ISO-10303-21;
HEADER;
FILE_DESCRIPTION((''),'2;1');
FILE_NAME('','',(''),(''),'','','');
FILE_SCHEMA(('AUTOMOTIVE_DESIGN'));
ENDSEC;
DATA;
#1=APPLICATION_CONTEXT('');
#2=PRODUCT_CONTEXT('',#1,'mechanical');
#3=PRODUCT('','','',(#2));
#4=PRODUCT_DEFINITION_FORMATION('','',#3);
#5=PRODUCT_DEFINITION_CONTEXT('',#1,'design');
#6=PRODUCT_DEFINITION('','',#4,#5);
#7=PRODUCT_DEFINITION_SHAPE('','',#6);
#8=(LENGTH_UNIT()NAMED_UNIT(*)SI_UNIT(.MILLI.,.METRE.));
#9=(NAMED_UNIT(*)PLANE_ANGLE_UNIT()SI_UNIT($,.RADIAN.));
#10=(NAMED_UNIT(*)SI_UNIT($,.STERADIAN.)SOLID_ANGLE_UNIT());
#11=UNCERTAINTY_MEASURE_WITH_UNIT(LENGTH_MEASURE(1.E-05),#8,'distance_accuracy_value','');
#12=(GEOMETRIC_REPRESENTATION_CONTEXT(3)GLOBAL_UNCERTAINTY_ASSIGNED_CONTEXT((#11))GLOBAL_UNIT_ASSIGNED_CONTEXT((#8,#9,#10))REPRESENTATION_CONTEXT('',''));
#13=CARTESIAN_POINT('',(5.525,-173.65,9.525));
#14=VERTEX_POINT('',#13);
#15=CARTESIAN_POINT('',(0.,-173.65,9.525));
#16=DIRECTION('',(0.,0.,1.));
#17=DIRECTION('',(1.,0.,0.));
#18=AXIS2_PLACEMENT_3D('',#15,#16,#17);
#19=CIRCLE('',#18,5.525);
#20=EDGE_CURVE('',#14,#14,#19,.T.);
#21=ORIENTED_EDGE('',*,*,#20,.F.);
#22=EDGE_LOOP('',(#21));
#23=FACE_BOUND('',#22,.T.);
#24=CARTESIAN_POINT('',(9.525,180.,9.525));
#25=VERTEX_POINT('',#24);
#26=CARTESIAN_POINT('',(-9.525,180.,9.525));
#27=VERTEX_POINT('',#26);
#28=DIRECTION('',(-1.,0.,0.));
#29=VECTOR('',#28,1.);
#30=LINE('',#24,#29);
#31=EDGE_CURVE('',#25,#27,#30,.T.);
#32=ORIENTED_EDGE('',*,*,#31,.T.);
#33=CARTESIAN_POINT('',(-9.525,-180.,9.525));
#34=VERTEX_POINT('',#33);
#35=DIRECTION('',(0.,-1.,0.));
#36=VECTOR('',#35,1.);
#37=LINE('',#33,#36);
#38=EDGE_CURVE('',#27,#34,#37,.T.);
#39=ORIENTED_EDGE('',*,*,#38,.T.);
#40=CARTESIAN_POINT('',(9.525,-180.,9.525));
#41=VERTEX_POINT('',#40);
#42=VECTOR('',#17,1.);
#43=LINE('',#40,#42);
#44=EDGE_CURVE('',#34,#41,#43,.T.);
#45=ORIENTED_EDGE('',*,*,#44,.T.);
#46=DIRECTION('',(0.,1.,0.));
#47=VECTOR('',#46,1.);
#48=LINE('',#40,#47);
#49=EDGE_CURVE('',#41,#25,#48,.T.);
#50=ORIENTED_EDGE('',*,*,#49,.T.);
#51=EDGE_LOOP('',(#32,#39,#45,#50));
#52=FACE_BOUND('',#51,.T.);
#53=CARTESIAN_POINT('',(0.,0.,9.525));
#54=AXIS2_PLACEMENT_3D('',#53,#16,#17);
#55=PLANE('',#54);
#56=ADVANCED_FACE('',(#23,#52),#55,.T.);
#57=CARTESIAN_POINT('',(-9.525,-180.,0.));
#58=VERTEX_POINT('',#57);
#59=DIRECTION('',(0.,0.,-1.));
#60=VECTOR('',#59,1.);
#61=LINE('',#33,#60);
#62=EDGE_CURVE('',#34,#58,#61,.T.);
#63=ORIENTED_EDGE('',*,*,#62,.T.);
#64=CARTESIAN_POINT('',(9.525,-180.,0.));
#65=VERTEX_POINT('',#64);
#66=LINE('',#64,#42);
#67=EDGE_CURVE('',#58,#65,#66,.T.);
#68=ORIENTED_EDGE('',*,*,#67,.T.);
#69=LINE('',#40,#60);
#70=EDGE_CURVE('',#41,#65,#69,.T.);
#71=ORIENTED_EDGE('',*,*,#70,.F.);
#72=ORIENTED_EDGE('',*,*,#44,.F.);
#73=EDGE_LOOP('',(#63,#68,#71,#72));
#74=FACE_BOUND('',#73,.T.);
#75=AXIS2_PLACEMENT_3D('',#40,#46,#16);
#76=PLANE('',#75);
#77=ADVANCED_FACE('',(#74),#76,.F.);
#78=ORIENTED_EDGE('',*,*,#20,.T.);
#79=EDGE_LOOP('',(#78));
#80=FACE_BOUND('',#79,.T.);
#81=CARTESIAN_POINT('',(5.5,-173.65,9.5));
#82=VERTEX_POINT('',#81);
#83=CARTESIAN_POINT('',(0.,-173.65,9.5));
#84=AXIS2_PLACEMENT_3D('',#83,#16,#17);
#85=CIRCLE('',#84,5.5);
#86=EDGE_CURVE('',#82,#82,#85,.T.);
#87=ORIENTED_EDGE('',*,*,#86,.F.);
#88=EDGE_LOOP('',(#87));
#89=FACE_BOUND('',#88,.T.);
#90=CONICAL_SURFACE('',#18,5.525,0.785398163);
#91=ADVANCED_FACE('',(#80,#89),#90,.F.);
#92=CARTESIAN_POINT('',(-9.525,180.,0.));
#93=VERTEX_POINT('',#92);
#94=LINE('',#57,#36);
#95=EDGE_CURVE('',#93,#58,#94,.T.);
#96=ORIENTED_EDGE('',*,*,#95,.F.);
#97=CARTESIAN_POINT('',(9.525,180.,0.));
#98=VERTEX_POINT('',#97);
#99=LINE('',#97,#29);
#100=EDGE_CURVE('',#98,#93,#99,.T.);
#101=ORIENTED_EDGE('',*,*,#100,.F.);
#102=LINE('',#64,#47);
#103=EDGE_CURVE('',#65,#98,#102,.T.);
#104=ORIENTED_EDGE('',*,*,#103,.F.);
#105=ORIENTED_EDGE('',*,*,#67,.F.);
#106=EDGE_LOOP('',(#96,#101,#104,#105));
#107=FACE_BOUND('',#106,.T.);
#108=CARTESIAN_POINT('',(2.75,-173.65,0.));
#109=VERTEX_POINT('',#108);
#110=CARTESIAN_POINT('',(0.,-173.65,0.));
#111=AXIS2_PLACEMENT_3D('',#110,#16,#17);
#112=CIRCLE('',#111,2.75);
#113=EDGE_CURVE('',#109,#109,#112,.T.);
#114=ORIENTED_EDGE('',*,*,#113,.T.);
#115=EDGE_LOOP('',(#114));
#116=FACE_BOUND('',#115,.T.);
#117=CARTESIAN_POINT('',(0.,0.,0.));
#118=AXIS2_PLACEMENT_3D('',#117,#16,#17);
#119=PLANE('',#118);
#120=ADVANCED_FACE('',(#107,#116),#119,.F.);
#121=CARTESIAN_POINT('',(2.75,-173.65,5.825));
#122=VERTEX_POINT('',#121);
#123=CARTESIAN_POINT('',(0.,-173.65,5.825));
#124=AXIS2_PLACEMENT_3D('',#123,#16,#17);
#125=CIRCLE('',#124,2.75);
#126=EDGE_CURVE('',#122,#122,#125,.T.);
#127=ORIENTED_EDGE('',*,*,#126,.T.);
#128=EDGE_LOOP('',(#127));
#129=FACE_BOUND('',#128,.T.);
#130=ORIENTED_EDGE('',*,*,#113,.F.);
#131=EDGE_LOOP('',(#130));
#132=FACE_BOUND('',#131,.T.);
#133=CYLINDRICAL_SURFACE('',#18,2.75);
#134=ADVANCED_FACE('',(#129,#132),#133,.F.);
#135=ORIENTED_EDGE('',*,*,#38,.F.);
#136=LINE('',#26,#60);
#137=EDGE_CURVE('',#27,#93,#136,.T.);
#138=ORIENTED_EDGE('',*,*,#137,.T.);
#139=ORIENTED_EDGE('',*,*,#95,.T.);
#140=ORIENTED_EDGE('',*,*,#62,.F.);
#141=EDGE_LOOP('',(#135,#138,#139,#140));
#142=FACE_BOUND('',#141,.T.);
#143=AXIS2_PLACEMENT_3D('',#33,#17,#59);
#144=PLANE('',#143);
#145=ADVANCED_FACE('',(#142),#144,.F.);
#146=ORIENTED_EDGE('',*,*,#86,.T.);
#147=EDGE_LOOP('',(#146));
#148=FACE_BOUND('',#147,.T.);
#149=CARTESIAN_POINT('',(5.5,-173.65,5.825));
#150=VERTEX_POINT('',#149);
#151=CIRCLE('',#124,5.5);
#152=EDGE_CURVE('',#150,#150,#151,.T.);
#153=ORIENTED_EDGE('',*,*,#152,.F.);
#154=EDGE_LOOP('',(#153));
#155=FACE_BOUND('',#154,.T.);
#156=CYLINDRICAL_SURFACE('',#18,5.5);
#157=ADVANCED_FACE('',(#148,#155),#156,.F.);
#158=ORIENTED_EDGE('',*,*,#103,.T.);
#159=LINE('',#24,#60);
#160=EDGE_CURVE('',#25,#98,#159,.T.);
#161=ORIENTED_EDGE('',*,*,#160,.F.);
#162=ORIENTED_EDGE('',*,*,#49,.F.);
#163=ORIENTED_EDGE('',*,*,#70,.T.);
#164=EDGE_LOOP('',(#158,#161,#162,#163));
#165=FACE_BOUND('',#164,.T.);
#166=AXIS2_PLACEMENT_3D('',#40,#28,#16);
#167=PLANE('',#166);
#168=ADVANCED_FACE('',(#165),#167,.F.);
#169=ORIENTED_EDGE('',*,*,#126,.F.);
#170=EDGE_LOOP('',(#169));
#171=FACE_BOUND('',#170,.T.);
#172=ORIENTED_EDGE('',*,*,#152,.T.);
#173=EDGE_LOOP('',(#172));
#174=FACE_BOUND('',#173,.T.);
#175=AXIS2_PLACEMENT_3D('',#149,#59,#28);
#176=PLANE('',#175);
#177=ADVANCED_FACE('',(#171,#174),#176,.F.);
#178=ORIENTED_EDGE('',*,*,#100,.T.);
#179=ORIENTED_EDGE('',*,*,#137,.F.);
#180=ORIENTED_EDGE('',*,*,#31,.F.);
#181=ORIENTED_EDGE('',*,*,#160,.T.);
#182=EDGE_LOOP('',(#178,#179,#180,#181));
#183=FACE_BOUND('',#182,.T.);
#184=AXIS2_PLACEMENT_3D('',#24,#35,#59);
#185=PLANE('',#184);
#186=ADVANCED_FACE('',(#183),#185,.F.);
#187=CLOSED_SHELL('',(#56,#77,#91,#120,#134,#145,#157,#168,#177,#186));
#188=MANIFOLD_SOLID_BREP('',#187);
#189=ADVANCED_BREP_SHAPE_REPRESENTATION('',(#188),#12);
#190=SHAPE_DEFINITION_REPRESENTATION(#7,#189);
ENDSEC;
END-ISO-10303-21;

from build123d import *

# Parameters (mm, degrees)
ESBO_O1_W                = 19.05
ESBO_O1_H                = 360
RESSALTO_EXTRUS_O1_DEPTH = 9.525
ESBO_O3_R                = 2.5
CORTE_EXTRUS_O1_DEPTH    = 181.503327532


with BuildPart() as part:
    # Esboço1 → Ressalto-extrusão1 (new body)
    with BuildSketch(Plane.XY):
        Rectangle(ESBO_O1_W, ESBO_O1_H)
    extrude(amount=RESSALTO_EXTRUS_O1_DEPTH)

    # Esboço3 → Corte-extrusão1 (cut, through all)
    with BuildSketch(Plane.XY.offset(9.525)):
        with Locations((0, -173.65)):
            Circle(ESBO_O3_R)
    extrude(amount=-CORTE_EXTRUS_O1_DEPTH, mode=Mode.SUBTRACT)

    # Esboço5 → Rebaixo para parafuso com cabeça panela de M51 (revolve, cut)
    with BuildSketch(Plane(origin=(0, -173.65, 9.525), x_dir=(0, -1, 0), z_dir=(1, 0, 0))):
        Polygon((0, 0), (0, 9.525), (2.75, 9.525), (2.75, 3.7), (5.5, 3.7), (5.5, 0.025), (5.525, 0), align=None)
    revolve(axis=Axis((0, -173.65, 15.875), (0, 0, -1)), mode=Mode.SUBTRACT)


solid = part.part
